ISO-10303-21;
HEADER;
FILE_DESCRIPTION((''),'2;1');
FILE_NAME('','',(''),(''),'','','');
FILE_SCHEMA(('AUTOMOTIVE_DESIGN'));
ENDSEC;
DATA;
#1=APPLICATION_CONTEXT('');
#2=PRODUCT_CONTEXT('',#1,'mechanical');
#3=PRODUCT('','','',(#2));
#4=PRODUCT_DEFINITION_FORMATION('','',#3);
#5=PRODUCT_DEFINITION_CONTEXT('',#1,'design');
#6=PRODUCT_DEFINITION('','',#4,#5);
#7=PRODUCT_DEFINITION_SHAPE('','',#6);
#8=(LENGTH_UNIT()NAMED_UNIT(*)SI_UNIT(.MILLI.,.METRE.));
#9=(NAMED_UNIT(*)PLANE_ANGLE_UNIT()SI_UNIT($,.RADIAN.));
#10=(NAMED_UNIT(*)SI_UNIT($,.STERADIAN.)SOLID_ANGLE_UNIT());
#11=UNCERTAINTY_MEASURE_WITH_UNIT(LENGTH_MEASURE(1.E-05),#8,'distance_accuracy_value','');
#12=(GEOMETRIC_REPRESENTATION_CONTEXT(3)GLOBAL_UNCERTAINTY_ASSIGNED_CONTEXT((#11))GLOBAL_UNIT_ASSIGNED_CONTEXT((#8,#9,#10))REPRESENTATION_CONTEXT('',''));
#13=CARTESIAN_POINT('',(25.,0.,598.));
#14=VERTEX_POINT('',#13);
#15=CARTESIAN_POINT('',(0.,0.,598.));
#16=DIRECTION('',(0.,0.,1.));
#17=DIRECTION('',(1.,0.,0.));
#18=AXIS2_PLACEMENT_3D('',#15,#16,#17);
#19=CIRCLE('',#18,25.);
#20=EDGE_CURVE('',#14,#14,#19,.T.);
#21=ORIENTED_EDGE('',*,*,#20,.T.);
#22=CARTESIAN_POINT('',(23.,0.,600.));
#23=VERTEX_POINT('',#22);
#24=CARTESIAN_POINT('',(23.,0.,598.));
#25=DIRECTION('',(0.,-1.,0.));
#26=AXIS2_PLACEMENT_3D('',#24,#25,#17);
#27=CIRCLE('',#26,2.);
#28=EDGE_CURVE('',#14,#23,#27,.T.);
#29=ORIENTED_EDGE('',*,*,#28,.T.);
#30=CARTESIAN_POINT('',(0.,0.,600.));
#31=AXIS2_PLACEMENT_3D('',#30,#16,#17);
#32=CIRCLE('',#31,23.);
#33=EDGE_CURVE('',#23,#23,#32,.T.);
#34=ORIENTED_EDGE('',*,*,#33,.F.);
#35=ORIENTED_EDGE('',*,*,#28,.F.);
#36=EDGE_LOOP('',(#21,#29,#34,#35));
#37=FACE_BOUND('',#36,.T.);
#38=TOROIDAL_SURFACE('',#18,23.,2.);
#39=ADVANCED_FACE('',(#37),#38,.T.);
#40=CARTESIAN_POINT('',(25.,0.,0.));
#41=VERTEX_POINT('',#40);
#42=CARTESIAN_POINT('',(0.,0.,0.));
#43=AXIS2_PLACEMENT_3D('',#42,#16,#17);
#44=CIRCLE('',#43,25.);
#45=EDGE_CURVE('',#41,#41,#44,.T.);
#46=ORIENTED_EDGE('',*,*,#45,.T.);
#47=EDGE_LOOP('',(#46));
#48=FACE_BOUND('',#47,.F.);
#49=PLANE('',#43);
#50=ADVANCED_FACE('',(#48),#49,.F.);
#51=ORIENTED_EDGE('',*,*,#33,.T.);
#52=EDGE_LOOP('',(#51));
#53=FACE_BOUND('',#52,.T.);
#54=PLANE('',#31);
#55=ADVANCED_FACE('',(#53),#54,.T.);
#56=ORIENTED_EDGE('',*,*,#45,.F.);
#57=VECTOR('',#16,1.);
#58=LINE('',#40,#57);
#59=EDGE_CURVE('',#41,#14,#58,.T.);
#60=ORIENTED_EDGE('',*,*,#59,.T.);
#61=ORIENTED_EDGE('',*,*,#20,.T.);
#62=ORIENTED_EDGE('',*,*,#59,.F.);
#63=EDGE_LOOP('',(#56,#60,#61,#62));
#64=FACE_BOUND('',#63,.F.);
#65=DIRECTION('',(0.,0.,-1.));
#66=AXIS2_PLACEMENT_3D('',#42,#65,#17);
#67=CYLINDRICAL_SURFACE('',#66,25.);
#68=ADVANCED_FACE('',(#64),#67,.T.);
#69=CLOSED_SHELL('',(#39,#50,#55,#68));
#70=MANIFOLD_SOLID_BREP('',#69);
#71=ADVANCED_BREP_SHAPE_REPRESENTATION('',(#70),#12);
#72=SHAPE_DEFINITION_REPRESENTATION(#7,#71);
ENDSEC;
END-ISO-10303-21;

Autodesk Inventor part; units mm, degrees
ref_plane "YZ Plane" through (0, 0, 0) normal (1, 0, 0) x (0, 1, 0)
ref_plane "XZ Plane" through (0, 0, 0) normal (0, 1, 0) x (-1, 0, 0)
ref_plane "XY Plane" through (0, 0, 0) normal (0, 0, 1) x (1, 0, 0)
sketch "Boceto1" plane through (0, 0, 0) normal (0, 0, 1) x (1, 0, 0)
  circle A0 centre (0, 0) radius 25
  dimension "d0" = 50
extrude "Extrusión1" add sketch "Boceto1" along normal blind 600
fillet "Empalme1" radius 2 1 edges at (-25, 0, 600)
